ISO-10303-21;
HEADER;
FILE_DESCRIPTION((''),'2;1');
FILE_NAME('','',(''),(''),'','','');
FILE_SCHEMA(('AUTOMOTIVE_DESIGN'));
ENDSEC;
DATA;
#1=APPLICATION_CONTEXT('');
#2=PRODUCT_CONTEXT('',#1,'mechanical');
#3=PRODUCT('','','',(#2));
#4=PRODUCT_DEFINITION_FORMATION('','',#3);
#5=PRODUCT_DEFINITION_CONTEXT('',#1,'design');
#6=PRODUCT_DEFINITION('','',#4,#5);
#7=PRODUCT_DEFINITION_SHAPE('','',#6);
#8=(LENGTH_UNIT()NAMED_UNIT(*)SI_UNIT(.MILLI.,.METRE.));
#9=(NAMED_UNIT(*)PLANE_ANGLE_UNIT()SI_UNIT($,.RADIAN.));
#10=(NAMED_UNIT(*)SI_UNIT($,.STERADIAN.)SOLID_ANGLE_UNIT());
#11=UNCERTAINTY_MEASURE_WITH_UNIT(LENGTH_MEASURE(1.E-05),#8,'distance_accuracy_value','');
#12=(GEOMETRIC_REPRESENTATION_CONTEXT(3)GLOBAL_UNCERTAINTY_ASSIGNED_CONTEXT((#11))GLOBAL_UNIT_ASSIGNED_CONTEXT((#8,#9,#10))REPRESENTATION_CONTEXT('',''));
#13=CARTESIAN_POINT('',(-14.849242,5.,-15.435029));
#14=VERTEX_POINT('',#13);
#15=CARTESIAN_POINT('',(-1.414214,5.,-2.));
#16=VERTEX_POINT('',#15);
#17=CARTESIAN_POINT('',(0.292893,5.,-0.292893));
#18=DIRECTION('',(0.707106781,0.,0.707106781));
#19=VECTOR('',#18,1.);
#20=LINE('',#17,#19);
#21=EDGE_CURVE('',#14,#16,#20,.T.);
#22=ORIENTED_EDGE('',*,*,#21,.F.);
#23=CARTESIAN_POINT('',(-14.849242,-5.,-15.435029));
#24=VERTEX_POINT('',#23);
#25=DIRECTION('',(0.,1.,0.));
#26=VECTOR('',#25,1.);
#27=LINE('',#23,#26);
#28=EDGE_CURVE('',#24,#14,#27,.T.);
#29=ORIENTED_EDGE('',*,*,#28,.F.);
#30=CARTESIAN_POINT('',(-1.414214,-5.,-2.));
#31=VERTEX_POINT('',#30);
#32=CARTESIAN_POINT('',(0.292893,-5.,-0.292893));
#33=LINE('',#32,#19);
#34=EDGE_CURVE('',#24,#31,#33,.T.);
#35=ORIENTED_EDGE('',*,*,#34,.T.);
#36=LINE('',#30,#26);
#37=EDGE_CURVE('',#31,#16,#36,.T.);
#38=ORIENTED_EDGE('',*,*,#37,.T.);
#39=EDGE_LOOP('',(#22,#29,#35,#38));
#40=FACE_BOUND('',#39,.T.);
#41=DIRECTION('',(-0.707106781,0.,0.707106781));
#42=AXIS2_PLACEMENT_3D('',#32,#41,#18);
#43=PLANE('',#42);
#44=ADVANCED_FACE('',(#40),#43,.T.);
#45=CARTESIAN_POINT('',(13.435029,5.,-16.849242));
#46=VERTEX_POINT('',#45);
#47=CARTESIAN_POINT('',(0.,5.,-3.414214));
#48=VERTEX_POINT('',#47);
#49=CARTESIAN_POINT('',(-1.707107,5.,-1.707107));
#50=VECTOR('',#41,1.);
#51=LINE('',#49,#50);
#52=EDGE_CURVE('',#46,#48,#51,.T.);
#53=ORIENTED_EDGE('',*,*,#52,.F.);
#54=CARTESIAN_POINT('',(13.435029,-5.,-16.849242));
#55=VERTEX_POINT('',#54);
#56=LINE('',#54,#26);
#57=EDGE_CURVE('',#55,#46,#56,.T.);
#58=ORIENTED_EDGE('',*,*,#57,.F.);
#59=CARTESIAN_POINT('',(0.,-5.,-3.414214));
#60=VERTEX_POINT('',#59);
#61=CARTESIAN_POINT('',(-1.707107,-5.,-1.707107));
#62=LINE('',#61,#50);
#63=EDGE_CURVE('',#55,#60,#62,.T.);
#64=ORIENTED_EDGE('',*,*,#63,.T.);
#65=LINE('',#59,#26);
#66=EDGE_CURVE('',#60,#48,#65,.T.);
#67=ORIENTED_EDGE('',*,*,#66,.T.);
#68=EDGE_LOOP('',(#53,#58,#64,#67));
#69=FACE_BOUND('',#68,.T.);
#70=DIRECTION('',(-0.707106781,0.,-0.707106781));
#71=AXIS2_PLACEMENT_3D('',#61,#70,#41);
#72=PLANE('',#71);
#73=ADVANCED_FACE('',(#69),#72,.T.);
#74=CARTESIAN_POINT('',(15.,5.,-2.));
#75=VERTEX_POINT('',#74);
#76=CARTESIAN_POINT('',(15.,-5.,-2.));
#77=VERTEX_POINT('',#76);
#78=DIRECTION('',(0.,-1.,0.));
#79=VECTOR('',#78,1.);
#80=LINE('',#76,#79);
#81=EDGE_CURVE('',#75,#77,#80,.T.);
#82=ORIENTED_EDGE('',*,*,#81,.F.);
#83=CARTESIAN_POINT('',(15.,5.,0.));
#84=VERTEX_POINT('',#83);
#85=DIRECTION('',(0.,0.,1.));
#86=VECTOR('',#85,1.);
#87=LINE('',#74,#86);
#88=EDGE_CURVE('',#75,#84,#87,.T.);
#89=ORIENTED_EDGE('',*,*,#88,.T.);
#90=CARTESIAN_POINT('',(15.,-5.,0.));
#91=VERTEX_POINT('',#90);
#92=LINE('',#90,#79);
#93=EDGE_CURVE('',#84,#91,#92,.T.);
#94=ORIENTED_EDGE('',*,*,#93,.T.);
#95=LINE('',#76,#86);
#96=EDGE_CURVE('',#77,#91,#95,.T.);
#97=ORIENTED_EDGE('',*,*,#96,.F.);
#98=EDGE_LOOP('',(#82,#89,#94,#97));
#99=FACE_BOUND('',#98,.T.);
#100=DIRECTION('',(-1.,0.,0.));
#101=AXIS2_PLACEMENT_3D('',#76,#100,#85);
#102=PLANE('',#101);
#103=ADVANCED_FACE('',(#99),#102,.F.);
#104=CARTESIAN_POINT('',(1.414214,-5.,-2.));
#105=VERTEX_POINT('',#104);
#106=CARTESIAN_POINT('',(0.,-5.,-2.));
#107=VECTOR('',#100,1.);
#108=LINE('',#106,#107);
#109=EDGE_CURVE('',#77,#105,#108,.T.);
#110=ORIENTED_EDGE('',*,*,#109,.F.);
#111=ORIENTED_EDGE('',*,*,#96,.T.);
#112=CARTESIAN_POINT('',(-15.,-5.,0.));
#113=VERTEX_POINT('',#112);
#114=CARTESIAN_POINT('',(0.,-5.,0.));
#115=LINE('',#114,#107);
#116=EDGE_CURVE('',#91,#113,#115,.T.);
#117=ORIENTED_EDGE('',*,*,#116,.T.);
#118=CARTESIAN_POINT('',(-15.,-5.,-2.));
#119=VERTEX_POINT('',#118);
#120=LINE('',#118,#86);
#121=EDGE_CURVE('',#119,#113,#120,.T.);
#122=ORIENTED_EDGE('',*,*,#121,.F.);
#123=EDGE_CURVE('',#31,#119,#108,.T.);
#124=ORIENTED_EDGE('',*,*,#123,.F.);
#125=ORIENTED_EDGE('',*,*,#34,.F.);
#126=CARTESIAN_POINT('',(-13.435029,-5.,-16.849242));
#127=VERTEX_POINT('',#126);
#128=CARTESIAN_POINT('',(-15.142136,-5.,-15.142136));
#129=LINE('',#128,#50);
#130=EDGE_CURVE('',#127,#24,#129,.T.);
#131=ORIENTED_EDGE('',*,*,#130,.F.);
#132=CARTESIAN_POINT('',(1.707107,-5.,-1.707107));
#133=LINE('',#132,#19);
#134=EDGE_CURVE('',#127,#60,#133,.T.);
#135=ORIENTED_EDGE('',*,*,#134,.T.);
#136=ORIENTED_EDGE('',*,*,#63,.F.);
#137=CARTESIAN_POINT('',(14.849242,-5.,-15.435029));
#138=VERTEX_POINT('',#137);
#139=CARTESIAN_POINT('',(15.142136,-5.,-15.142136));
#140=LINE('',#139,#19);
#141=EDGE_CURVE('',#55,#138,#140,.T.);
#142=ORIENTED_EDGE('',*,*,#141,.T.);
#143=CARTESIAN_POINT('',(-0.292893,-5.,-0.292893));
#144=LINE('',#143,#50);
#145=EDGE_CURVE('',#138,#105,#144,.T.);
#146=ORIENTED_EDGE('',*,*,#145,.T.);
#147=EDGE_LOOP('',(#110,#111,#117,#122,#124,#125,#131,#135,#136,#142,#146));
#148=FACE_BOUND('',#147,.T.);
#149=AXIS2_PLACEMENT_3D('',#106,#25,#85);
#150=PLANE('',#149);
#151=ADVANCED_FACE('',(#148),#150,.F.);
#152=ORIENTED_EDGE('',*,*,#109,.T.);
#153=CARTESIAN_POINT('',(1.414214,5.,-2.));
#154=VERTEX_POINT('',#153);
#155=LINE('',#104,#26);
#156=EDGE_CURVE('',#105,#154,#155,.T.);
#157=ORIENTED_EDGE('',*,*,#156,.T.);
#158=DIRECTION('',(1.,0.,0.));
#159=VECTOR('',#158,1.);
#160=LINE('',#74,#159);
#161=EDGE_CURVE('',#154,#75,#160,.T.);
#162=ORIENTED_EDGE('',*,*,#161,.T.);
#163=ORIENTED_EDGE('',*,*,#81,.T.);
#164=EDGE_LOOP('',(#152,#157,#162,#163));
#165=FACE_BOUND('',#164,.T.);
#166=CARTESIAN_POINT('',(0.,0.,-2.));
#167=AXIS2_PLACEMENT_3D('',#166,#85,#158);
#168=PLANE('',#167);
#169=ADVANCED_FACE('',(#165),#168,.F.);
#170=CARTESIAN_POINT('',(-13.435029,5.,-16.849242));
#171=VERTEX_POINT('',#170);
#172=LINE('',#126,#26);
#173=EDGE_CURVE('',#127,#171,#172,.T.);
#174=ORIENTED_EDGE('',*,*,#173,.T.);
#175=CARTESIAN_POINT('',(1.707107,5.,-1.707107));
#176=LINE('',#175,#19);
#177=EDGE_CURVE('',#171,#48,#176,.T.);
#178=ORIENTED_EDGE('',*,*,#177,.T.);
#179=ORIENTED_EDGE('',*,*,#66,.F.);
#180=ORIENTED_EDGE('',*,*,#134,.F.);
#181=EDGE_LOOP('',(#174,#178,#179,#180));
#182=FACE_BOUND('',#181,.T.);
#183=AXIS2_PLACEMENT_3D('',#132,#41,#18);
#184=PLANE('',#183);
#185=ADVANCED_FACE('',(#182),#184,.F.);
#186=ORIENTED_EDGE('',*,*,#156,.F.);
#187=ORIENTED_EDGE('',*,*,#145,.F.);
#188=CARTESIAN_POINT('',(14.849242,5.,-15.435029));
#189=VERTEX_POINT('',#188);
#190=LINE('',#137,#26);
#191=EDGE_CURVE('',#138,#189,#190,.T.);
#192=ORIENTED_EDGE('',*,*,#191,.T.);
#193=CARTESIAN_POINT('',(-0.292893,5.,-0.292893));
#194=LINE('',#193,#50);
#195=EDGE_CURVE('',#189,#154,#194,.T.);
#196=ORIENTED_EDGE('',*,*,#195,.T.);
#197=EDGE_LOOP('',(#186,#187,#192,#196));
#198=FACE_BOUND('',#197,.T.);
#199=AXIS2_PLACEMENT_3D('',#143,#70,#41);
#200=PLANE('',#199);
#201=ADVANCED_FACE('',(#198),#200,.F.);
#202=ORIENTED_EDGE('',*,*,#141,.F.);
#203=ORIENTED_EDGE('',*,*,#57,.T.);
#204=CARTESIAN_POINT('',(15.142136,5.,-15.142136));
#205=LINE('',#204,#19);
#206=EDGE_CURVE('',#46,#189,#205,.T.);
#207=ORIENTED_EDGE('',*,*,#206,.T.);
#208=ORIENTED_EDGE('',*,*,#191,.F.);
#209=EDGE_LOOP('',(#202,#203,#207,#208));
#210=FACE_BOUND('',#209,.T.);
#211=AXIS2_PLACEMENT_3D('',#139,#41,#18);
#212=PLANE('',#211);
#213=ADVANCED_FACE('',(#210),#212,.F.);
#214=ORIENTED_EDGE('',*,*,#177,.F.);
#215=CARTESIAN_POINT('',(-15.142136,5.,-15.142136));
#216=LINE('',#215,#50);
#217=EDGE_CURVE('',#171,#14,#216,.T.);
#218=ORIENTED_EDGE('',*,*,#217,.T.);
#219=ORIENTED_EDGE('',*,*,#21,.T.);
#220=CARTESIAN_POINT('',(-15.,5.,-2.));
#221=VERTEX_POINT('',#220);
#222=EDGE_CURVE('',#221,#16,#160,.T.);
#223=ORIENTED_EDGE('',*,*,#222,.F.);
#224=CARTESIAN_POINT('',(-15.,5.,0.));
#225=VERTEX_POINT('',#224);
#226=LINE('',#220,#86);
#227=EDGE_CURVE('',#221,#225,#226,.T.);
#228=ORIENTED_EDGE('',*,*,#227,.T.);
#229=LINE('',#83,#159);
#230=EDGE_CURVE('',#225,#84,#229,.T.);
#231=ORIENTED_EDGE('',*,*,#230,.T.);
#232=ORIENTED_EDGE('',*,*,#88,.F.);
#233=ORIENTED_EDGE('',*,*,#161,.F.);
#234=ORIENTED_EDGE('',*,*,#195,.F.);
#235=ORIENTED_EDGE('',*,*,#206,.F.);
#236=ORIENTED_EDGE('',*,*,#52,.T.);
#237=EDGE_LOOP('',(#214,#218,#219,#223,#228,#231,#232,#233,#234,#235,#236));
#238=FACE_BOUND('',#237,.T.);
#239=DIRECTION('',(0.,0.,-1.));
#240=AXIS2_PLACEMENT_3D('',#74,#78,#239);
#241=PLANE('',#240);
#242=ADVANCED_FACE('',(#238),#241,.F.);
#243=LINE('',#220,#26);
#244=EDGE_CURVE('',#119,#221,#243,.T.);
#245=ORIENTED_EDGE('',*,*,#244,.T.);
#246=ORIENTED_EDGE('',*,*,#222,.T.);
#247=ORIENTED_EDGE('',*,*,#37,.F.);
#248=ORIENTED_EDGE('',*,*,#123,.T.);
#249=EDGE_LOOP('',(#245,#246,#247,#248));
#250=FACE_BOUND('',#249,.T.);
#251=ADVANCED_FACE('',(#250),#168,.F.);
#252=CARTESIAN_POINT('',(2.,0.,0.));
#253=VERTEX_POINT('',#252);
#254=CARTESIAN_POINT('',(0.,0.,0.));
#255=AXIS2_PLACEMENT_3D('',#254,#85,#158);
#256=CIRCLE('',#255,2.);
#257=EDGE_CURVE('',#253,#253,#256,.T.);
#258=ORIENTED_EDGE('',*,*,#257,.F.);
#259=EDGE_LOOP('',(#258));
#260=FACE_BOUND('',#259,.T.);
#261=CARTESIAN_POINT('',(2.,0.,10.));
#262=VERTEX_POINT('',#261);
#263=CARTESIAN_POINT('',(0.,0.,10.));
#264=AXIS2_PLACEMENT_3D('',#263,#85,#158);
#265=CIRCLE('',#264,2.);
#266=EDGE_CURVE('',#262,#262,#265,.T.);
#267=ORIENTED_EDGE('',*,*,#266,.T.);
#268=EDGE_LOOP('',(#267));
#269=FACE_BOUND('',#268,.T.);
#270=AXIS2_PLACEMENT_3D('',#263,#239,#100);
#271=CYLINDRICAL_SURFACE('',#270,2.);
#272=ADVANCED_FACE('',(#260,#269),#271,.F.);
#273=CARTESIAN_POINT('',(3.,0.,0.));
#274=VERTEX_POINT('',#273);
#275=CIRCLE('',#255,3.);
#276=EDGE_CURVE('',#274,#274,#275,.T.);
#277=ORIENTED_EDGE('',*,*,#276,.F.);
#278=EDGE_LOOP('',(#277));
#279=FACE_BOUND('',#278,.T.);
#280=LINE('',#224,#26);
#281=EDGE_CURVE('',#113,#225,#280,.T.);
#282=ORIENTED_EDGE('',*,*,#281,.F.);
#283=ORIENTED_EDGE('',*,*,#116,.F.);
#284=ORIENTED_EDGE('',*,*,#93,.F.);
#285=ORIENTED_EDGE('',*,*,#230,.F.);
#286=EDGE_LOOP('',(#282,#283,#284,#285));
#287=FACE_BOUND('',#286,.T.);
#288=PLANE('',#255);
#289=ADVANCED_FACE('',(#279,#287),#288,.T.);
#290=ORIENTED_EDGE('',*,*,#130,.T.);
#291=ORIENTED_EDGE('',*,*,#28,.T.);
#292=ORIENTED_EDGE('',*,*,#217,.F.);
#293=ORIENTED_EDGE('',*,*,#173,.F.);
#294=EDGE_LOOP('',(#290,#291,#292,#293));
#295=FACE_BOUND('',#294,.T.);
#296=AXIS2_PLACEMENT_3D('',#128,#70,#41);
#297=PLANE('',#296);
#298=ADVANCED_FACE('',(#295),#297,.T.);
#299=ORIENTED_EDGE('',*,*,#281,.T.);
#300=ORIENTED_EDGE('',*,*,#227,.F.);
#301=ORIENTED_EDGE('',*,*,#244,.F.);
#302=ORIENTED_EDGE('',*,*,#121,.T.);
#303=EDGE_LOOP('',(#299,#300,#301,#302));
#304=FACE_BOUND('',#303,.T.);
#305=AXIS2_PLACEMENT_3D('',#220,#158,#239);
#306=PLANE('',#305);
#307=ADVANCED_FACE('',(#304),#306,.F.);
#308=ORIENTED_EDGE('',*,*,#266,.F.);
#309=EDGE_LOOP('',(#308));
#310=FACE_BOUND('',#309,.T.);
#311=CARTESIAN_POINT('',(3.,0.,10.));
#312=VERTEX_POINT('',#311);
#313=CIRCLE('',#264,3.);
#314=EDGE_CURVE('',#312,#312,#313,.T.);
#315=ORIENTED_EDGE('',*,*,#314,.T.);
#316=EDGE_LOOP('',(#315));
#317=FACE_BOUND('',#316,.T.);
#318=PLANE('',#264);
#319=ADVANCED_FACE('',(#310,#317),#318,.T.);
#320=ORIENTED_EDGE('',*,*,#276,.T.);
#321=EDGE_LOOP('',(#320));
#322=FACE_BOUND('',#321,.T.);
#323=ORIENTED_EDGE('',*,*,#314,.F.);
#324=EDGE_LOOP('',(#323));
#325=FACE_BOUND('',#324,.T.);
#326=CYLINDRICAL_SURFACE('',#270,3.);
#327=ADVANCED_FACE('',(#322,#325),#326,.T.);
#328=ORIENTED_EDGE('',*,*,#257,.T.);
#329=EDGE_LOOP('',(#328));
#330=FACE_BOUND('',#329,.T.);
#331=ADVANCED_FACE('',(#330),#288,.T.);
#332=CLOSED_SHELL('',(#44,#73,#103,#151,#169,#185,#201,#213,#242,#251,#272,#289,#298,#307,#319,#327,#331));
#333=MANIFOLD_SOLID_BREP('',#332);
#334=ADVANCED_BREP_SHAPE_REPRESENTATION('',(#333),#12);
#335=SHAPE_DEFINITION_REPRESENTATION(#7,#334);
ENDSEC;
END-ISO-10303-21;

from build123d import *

# Parameters (mm, degrees)
SKETCH1_R           = 3
SKETCH1_R_2         = 2
BOSS_EXTRUDE1_DEPTH = 10
BOSS_EXTRUDE2_DEPTH = 2
BOSS_EXTRUDE3_DEPTH = 10


with BuildPart() as part:
    # Sketch1 → Boss-Extrude1 (new body)
    with BuildSketch(Plane.XY):
        Circle(SKETCH1_R)
        Circle(SKETCH1_R_2, mode=Mode.SUBTRACT)
    extrude(amount=BOSS_EXTRUDE1_DEPTH)

    # Sketch2 → Boss-Extrude2 (add)
    with BuildSketch(Plane(origin=(0, 0, 0), x_dir=(-1, 0, 0), z_dir=(0, 0, -1))):
        Polygon((0, -5), (15, -5), (15, 5), (-15, 5), (-15, -5), align=None)
    extrude(amount=BOSS_EXTRUDE2_DEPTH)

    # Sketch3 → Boss-Extrude3 (add)
    with BuildSketch(Plane(origin=(0, 5, 0), x_dir=(1, 0, 0), z_dir=(0, 1, 0))):
        Polygon((-0.707106781, 1.292893219), (0, 2), (0.707106781, 1.292893219), (14.849242405, 15.435028843), (13.435028843, 16.849242405), (0, 3.414213562), (-13.435028843, 16.849242405), (-14.849242405, 15.435028843), align=None)
    extrude(amount=-BOSS_EXTRUDE3_DEPTH)


solid = part.part
